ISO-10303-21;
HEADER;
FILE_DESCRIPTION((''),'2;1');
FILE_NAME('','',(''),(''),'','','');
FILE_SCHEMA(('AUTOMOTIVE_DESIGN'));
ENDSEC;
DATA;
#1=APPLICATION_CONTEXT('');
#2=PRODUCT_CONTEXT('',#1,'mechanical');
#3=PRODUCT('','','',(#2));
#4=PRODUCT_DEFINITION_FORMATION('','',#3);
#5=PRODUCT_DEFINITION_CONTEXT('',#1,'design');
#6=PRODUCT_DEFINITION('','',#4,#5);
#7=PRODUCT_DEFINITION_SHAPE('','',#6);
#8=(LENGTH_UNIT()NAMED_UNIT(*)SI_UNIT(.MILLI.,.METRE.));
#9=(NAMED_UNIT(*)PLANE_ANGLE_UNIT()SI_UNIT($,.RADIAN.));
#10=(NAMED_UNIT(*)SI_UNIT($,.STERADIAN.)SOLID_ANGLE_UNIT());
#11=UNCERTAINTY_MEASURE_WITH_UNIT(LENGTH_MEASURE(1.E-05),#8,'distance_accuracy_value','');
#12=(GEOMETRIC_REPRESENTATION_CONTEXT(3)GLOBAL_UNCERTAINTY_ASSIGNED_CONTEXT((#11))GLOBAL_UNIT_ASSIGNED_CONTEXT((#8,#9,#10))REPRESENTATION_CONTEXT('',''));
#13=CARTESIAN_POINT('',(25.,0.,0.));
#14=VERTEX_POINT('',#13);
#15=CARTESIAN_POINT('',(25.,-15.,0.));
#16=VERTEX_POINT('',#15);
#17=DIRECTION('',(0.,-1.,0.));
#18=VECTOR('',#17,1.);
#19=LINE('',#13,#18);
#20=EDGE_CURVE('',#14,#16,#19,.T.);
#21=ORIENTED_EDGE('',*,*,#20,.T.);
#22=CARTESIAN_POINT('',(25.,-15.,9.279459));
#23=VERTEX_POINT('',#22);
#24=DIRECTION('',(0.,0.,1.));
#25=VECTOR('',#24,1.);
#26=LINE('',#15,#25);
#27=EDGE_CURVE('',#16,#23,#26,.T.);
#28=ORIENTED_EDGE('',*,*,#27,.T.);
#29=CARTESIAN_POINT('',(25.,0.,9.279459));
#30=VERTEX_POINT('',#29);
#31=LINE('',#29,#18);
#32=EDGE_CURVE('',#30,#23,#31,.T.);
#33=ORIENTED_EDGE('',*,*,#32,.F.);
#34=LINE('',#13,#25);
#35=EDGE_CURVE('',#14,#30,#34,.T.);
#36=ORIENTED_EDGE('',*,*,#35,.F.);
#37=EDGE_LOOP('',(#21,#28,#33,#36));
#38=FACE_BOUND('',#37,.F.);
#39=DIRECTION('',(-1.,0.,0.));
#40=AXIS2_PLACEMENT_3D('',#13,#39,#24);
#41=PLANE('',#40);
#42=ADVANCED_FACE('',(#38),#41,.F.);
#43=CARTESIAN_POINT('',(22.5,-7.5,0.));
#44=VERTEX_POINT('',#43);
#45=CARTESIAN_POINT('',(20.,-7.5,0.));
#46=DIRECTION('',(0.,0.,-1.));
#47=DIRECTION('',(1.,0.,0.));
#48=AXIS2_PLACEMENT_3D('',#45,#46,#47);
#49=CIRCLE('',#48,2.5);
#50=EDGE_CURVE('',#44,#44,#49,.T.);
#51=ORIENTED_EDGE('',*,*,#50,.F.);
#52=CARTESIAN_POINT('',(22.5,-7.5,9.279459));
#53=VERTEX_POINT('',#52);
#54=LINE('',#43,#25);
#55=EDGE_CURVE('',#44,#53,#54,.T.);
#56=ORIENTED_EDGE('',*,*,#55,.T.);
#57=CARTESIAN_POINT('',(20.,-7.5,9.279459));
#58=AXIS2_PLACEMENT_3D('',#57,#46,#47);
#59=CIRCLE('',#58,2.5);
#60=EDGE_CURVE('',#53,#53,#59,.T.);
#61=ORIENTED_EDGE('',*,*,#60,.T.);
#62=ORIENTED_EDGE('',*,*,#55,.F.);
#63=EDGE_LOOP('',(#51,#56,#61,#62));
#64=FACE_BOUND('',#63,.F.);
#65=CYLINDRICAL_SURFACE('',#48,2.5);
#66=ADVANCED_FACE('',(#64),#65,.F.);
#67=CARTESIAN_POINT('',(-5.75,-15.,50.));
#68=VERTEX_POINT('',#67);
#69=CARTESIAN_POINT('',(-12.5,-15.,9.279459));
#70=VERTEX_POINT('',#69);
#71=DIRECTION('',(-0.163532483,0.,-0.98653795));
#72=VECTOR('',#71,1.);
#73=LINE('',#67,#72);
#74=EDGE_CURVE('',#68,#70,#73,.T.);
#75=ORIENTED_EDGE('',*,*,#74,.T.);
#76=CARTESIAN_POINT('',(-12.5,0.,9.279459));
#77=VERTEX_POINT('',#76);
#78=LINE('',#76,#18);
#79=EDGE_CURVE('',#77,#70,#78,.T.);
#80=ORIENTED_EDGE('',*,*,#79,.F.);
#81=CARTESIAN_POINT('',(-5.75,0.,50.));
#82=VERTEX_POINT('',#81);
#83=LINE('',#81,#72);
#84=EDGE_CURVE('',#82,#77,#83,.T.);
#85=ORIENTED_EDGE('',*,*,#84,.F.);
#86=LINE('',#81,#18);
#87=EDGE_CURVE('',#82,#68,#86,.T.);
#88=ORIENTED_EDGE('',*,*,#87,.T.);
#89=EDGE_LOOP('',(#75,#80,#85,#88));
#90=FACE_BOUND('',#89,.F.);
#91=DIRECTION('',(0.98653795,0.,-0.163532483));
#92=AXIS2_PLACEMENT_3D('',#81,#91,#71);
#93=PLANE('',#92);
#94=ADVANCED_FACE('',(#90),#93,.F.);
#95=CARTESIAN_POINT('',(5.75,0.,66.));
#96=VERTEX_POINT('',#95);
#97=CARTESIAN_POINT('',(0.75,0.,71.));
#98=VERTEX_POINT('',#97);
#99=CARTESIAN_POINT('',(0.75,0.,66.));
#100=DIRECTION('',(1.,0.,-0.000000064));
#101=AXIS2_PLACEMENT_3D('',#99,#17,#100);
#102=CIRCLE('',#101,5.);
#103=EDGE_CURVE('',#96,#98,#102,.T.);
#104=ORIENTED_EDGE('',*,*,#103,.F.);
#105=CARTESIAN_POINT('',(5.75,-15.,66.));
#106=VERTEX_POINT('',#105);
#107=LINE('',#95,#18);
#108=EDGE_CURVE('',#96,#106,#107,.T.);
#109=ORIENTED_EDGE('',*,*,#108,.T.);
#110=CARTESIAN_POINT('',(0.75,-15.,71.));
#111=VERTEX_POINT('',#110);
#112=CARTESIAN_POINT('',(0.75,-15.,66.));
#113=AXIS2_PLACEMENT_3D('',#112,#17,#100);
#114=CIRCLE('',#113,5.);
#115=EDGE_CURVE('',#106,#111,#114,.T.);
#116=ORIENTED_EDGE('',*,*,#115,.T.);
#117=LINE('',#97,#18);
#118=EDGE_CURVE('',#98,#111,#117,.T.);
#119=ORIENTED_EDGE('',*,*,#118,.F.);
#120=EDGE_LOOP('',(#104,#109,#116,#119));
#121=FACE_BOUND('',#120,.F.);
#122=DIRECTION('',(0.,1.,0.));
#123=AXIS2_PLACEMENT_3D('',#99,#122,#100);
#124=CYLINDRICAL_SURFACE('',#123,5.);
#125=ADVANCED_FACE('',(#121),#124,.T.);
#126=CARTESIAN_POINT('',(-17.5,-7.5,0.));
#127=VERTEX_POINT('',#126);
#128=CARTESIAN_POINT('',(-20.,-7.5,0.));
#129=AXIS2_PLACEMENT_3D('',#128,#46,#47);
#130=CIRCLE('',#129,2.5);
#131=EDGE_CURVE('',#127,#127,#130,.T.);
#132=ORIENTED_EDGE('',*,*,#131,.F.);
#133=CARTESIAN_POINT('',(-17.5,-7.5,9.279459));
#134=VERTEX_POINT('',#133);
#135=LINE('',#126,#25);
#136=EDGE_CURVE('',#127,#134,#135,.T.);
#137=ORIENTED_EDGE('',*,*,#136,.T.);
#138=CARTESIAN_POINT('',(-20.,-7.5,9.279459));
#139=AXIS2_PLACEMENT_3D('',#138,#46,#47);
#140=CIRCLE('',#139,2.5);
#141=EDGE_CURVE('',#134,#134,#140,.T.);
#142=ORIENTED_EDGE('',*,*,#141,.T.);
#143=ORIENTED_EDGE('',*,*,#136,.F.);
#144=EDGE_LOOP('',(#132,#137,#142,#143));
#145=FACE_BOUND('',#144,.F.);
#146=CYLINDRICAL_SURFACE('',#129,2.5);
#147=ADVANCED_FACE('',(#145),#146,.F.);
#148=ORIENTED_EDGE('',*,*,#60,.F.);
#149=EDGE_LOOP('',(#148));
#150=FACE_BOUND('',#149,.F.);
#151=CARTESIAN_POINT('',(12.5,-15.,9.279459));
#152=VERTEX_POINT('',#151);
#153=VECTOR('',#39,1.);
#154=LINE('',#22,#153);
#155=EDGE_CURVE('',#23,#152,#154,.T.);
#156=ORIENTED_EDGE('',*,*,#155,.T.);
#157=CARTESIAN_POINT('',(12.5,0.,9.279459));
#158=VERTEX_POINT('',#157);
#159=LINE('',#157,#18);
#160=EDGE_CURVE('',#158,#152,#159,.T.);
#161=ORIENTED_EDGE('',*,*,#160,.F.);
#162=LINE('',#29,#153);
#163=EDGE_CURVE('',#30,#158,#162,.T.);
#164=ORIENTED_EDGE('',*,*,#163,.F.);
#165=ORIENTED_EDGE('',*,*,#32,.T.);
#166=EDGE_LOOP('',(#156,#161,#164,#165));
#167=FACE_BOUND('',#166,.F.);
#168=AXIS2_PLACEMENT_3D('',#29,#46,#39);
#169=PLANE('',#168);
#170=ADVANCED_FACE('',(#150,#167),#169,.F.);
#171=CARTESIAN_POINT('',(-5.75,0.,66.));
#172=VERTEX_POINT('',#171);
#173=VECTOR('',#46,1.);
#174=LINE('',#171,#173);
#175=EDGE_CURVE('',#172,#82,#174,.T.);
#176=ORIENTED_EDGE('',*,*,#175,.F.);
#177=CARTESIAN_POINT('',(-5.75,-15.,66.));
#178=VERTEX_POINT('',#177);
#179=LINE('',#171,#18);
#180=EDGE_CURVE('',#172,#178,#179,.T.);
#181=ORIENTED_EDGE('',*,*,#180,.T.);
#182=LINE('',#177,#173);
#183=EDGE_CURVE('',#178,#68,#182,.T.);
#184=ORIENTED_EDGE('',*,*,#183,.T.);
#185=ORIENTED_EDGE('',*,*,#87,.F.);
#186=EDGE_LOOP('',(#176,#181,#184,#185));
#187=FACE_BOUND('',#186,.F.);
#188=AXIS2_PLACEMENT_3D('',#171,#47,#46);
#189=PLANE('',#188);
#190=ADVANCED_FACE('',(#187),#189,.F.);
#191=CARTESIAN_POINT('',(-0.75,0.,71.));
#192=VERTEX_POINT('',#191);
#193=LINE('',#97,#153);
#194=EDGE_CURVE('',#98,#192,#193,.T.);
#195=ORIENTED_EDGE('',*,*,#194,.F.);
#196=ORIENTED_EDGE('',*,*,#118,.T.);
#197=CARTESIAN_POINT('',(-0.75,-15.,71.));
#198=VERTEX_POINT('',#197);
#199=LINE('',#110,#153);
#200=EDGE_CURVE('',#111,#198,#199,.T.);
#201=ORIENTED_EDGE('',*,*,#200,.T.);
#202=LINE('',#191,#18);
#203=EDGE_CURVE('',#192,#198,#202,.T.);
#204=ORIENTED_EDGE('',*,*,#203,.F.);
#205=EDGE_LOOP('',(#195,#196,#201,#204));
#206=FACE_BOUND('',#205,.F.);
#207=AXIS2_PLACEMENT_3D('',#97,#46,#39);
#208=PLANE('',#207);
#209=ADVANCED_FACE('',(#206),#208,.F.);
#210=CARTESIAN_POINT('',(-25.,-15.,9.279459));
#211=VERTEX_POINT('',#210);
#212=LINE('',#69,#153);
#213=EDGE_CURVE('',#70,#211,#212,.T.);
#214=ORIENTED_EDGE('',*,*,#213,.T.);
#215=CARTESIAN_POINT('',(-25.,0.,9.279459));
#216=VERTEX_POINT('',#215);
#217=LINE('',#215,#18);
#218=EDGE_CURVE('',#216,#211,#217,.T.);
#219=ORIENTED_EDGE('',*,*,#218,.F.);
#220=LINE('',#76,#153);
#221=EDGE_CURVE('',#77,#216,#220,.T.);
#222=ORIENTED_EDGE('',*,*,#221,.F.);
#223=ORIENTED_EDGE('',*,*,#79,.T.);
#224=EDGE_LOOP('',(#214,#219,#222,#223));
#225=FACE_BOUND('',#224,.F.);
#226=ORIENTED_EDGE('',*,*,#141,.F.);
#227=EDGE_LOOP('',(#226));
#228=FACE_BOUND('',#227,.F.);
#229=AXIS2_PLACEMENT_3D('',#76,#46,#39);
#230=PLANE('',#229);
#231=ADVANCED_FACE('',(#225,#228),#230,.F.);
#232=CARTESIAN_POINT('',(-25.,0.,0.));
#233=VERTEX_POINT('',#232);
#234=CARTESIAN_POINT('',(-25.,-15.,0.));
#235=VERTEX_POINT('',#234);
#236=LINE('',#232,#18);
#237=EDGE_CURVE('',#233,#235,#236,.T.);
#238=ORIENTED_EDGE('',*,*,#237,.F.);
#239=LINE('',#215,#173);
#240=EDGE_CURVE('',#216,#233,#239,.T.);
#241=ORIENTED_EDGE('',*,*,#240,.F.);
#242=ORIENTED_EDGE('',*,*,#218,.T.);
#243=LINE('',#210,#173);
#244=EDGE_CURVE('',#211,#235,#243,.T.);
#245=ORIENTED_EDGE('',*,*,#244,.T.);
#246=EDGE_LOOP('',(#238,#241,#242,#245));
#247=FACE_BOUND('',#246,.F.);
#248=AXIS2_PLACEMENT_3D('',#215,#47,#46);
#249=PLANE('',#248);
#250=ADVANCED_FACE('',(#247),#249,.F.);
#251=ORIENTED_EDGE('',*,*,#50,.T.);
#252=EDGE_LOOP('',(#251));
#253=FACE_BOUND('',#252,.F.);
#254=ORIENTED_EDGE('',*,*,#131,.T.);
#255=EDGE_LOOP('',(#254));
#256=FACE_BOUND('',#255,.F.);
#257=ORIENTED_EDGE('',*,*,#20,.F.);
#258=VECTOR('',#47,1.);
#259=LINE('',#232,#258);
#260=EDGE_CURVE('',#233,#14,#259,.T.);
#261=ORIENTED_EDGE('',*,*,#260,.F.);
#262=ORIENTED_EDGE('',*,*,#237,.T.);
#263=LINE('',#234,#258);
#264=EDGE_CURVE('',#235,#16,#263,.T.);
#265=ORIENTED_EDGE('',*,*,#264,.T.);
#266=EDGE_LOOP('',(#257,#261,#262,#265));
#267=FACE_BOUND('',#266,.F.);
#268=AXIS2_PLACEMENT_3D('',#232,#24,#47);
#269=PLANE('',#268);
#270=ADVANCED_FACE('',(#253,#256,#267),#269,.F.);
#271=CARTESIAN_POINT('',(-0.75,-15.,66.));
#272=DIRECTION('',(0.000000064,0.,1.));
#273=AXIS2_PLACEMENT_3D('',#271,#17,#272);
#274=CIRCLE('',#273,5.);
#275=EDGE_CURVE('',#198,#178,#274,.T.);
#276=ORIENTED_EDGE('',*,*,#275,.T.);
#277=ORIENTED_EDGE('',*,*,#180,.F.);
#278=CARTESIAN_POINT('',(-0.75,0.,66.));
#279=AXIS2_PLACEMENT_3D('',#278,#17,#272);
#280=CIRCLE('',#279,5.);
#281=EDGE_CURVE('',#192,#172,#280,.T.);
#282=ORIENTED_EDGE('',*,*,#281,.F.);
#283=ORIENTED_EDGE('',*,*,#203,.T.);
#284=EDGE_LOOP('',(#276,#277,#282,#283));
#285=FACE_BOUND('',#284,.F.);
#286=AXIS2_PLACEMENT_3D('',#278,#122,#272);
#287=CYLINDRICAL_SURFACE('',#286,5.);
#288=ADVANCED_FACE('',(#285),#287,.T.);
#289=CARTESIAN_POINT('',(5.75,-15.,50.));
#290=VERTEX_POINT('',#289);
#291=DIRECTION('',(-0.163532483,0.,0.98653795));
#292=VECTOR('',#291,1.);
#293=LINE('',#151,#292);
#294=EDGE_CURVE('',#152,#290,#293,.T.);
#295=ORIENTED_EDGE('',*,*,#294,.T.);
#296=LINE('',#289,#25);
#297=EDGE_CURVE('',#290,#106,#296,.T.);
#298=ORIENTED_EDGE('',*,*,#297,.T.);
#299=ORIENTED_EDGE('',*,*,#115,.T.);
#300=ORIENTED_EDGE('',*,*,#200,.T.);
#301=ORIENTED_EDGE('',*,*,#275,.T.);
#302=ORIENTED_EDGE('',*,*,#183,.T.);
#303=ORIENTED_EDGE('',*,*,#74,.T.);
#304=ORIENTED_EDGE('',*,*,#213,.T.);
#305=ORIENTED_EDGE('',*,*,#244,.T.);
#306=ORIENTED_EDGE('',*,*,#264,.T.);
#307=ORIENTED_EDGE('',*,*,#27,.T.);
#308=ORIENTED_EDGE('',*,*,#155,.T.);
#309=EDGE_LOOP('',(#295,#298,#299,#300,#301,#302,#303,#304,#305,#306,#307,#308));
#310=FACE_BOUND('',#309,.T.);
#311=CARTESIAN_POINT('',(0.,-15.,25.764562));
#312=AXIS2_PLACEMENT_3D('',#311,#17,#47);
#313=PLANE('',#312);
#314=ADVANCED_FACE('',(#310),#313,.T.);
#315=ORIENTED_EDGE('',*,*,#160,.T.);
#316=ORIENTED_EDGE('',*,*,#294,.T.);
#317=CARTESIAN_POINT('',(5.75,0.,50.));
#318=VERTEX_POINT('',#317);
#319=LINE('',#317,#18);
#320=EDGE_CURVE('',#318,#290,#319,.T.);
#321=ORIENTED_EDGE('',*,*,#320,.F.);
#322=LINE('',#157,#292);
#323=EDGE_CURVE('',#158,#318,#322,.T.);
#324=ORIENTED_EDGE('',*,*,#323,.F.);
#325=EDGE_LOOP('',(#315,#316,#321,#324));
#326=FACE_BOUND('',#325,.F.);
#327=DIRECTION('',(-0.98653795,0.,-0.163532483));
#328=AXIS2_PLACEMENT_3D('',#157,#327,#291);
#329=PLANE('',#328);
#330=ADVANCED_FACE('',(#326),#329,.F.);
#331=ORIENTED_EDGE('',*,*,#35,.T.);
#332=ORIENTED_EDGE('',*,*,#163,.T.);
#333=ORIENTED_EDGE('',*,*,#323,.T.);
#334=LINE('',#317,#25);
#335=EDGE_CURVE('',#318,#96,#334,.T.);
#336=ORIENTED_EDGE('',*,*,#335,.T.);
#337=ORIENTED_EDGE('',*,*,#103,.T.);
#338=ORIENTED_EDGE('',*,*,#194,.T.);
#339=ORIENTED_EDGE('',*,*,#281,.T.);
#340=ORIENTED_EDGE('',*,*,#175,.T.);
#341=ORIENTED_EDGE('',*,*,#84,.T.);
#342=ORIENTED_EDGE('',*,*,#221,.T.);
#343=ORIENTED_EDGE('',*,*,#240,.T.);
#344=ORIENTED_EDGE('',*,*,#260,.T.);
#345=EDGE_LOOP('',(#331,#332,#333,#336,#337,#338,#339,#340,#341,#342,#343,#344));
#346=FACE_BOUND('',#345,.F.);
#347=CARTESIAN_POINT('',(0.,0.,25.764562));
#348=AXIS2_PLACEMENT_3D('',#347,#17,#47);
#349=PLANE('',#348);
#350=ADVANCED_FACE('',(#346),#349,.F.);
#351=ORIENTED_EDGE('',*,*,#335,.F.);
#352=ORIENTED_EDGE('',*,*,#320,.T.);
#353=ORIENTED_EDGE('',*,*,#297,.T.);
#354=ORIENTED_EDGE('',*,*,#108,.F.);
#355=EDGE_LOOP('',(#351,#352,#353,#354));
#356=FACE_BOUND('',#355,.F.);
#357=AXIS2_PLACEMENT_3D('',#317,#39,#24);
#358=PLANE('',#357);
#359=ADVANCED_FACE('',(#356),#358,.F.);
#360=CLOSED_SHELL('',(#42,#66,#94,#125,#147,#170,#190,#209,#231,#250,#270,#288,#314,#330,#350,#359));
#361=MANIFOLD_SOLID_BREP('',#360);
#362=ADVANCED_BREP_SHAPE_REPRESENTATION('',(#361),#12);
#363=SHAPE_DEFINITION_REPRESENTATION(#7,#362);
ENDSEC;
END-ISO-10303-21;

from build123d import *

# Parameters (mm, degrees)
F1_DEPTH = 15
F2_R     = 2.5
F3_DEPTH = 25


with BuildPart() as f1:
    # F0 (on Front) → F1 (new body)
    with BuildSketch(Plane.XZ):
        with BuildLine():
            Line((0.75, 71), (-0.75, 71))
            ThreePointArc((-0.75, 71), (-4.285534, 69.535534), (-5.75, 66))
            Line((-5.75, 66), (-5.75, 50))
            Line((-5.75, 50), (-12.5, 9.279459))
            Line((-12.5, 9.279459), (-25, 9.279459))
            Line((-25, 9.279459), (-25, 0))
            Line((-25, 0), (-12.5, 0))
            Line((-12.5, 0), (12.5, 0))
            Line((12.5, 0), (25, 0))
            Line((25, 0), (25, 9.279459))
            Line((25, 9.279459), (12.5, 9.279459))
            Line((12.5, 9.279459), (5.75, 50))
            Line((5.75, 50), (5.75, 66))
            ThreePointArc((5.75, 66), (4.285534, 69.535534), (0.75, 71))
        make_face()
    extrude(amount=F1_DEPTH)

    # F2 (on face) → F3 (cut)
    with BuildSketch(Plane(origin=(0, 0, 0), x_dir=(1, 0, 0), z_dir=(0, 0, -1))):
        with Locations((-20, 7.5)):
            Circle(F2_R)
        with Locations((20, 7.5)):
            Circle(F2_R)
    extrude(amount=-F3_DEPTH, mode=Mode.SUBTRACT)


solid = f1.part
